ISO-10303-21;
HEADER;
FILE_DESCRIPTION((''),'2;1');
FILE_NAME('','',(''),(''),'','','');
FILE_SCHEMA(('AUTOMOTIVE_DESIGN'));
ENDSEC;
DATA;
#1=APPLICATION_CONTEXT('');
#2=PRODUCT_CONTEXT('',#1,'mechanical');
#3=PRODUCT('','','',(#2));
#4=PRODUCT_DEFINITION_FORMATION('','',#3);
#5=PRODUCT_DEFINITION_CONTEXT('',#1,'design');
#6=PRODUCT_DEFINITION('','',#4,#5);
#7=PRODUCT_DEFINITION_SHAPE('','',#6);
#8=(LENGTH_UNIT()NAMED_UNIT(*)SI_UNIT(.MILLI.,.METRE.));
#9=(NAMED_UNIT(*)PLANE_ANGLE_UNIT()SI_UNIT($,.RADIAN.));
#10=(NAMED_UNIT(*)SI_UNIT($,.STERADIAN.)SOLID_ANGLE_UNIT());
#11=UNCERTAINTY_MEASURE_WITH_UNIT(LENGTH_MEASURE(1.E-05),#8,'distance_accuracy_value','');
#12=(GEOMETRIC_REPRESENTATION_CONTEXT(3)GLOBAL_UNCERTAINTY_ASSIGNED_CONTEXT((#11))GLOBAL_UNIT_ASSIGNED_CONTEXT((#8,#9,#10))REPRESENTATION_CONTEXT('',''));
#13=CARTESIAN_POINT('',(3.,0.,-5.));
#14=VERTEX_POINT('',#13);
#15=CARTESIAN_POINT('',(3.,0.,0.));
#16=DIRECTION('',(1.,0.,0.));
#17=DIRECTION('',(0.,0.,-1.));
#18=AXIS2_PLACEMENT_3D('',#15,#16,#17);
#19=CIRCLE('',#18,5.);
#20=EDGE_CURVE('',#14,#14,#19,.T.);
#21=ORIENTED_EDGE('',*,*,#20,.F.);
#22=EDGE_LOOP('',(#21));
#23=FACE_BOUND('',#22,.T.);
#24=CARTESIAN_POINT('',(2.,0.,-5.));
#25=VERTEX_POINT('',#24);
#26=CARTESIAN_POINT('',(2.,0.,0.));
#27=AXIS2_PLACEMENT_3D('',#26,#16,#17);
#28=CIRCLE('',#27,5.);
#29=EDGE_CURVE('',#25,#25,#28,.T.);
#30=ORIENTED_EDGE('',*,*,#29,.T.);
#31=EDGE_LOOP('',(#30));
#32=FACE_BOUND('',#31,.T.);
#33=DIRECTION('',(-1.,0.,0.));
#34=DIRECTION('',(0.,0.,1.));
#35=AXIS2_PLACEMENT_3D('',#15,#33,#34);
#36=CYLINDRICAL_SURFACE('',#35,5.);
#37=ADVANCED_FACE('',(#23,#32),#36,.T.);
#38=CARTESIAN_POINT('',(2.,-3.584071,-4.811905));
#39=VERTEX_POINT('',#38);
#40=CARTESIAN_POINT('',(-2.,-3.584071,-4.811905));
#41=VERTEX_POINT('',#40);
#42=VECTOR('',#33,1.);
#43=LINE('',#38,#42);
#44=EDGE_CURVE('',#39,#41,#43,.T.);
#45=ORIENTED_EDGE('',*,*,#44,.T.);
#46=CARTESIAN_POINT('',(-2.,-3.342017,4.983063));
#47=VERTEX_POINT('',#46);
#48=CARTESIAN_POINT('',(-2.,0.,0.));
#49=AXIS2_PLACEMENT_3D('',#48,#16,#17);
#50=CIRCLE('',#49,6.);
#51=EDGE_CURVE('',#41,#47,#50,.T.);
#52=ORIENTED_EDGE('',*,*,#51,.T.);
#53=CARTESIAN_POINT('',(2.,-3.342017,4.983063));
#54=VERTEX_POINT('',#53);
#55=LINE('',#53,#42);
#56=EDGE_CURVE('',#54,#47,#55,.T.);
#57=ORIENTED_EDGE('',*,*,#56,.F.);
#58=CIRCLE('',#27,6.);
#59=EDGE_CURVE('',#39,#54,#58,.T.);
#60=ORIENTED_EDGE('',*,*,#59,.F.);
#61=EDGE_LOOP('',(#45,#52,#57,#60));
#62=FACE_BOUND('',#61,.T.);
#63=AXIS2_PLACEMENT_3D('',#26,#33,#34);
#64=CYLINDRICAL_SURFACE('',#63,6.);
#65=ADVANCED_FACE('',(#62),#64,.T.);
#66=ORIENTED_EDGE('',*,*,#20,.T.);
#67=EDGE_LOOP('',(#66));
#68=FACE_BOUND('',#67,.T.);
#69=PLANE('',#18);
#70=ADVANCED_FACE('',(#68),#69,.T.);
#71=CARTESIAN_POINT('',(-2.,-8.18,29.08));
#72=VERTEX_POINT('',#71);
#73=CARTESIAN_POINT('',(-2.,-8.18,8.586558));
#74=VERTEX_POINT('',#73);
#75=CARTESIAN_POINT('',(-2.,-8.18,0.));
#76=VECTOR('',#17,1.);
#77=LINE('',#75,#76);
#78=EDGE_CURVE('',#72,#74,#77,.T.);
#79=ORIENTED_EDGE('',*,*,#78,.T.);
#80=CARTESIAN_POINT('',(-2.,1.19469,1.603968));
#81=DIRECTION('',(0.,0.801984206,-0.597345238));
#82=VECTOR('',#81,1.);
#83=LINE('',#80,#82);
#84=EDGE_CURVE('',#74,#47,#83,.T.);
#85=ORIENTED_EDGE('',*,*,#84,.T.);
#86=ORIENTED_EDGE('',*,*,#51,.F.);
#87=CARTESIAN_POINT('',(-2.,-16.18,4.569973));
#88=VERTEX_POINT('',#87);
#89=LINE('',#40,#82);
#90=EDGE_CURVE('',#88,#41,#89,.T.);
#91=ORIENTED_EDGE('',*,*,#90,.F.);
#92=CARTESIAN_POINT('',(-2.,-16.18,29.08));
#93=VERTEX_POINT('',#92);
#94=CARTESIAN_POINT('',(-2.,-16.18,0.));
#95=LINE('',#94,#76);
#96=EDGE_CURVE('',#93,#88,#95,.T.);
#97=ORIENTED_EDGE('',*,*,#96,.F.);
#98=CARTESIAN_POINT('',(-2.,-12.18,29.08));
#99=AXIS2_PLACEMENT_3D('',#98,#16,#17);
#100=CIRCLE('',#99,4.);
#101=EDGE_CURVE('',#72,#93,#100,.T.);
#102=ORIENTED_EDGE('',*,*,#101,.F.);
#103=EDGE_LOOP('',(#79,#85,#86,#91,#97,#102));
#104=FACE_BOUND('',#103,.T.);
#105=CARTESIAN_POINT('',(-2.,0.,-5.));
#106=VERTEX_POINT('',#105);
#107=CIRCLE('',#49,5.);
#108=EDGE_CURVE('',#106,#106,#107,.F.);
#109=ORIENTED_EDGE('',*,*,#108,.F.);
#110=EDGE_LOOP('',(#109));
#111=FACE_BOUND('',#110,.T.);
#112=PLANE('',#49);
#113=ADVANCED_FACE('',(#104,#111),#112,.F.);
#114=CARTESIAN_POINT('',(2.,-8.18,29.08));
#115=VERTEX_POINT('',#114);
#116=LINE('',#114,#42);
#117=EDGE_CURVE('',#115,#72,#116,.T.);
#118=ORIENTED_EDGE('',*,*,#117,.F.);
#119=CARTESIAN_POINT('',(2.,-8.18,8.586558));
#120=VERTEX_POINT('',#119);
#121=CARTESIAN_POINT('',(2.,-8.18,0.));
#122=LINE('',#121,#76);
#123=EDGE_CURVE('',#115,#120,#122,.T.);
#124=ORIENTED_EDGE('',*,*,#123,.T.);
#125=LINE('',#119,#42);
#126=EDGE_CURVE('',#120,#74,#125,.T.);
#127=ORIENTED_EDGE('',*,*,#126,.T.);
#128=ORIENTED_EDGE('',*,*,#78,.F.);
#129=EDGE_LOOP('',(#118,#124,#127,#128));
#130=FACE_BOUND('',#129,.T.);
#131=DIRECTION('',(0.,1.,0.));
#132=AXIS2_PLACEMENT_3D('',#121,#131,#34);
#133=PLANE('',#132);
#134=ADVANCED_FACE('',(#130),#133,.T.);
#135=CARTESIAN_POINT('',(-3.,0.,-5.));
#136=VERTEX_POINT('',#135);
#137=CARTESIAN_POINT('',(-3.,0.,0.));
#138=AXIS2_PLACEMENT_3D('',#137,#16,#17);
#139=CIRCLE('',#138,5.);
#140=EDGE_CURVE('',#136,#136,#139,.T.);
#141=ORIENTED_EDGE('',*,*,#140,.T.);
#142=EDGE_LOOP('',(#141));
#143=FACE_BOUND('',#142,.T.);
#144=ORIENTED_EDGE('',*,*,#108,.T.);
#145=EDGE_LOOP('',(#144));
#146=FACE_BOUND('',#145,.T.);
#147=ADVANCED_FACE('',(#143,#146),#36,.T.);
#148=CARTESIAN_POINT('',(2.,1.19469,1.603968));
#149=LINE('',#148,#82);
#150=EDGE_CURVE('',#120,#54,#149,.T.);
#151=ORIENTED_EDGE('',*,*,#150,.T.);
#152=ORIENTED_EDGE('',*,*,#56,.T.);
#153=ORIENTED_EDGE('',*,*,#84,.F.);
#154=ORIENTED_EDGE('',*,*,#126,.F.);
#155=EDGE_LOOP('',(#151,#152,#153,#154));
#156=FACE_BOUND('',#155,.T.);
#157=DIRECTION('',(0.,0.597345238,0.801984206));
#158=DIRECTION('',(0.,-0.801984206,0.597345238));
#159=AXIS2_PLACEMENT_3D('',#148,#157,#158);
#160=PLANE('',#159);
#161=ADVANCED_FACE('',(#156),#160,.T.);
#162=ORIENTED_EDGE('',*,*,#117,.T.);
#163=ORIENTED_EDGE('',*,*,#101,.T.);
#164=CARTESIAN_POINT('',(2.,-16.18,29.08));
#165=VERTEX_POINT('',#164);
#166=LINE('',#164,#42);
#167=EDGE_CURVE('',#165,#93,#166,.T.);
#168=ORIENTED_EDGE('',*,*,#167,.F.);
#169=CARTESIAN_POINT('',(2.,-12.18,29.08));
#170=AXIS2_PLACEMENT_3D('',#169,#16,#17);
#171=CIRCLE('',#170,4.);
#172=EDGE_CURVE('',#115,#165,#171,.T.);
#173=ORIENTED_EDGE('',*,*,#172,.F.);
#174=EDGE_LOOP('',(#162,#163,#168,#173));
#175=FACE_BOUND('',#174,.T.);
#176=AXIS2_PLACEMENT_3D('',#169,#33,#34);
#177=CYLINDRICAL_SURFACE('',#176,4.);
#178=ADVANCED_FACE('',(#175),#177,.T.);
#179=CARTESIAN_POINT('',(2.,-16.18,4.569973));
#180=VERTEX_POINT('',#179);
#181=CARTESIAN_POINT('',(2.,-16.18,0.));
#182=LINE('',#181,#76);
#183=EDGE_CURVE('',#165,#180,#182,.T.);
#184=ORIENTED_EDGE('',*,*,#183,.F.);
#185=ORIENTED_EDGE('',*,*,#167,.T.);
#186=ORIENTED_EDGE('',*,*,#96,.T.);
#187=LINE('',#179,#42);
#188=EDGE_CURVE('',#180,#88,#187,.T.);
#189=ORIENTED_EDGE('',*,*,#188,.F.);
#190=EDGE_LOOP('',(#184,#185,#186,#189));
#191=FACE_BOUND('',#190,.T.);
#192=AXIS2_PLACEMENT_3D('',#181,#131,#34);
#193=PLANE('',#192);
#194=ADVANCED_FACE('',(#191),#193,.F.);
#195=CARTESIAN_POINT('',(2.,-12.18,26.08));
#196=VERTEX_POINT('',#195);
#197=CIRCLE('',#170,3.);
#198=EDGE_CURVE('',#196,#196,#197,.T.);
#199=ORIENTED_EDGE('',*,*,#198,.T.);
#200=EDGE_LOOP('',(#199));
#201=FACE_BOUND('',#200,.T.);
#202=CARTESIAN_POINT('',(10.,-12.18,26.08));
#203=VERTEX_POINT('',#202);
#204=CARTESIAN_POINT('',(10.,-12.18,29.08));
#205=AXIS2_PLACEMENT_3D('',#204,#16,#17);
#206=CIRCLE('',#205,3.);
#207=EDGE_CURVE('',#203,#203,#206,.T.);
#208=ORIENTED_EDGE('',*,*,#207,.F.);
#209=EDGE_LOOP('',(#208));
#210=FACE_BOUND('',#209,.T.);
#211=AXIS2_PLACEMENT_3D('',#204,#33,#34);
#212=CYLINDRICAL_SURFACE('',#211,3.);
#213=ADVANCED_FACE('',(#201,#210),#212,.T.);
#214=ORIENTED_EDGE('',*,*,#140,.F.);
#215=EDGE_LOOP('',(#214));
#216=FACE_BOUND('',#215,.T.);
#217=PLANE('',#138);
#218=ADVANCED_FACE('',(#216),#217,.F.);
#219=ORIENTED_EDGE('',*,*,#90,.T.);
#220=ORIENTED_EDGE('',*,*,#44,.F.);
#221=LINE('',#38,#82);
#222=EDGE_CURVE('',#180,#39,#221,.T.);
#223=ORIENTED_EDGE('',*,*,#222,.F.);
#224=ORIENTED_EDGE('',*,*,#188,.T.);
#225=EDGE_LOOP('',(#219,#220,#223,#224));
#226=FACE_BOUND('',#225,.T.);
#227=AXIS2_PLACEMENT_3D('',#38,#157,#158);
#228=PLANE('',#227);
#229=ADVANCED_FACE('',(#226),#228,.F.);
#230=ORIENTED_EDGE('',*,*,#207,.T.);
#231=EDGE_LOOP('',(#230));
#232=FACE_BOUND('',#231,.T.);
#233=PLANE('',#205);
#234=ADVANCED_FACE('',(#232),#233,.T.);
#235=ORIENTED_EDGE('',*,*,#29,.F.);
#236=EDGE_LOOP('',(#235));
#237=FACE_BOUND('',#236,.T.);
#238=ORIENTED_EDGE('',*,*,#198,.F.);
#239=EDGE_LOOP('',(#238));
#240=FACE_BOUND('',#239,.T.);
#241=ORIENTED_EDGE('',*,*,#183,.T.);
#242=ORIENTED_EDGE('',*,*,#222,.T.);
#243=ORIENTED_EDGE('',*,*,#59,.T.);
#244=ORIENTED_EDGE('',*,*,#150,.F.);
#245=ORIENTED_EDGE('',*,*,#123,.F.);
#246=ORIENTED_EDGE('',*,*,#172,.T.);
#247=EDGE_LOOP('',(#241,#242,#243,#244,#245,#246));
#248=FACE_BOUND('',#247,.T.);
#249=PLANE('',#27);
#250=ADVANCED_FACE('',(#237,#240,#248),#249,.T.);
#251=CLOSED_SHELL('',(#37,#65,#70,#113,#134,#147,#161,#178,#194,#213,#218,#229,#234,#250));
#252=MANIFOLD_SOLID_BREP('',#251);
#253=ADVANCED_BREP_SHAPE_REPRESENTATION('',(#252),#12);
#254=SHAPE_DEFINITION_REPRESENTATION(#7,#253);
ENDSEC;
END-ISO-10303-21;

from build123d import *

# Parameters (mm, degrees)
SKETCH1_R           = 4
SKETCH1_R_2         = 3
SKETCH1_R_3         = 6
SKETCH1_R_4         = 5
BOSS_EXTRUDE1_DEPTH = 2
SKETCH1_3_R         = 5
BOSS_EXTRUDE2_DEPTH = 3
BOSS_EXTRUDE3_START = -2
SKETCH1_4_R         = 3
BOSS_EXTRUDE3_DEPTH = 12


with BuildPart() as part:
    # Sketch1 → Boss-Extrude1 (new, symmetric)
    # profile 1 of 3: a face of its own
    with BuildSketch(Plane.YZ):
        with BuildLine():
            ThreePointArc((-8.18, 29.08), (-12.18, 25.08), (-16.18, 29.08))
            Line((-16.18, 29.08), (-16.18, 4.569972731))
            Line((-16.18, 4.569972731), (-3.584071428, -4.811905236))
            ThreePointArc((-3.584071428, -4.811905236), (-5.998168777, 0.148227284), (-3.342017287, 4.98306336))
            Line((-3.342017287, 4.98306336), (-8.18, 8.586558185))
            Line((-8.18, 8.586558185), (-8.18, 29.08))
        make_face()
    # profile 2 of 3: a face of its own
    with BuildSketch(Plane.YZ):
        with Locations((-12.18, 29.08)):
            Circle(SKETCH1_R)
        with Locations(Location((-12.18, 29.08, 0), (0, 0, 270))):
            Circle(SKETCH1_R_2, mode=Mode.SUBTRACT)
    # profile 3 of 3: a face of its own
    with BuildSketch(Plane.YZ):
        Circle(SKETCH1_R_3)
        with Locations(Location((0, 0, 0), (0, 0, 270))):
            Circle(SKETCH1_R_4, mode=Mode.SUBTRACT)
    extrude(amount=BOSS_EXTRUDE1_DEPTH, both=True)

    # Sketch1<3> → Boss-Extrude2 (add, symmetric)
    with BuildSketch(Plane.YZ):
        with Locations(Location((0, 0, 0), (0, 0, 270))):
            Circle(SKETCH1_3_R)
    extrude(amount=BOSS_EXTRUDE2_DEPTH, both=True)

    # Sketch1<4> → Boss-Extrude3 (add)
    with BuildSketch(Plane.YZ.offset(BOSS_EXTRUDE3_START)):
        with Locations(Location((-12.18, 29.08, 0), (0, 0, 270))):
            Circle(SKETCH1_4_R)
    extrude(amount=BOSS_EXTRUDE3_DEPTH)


solid = part.part
